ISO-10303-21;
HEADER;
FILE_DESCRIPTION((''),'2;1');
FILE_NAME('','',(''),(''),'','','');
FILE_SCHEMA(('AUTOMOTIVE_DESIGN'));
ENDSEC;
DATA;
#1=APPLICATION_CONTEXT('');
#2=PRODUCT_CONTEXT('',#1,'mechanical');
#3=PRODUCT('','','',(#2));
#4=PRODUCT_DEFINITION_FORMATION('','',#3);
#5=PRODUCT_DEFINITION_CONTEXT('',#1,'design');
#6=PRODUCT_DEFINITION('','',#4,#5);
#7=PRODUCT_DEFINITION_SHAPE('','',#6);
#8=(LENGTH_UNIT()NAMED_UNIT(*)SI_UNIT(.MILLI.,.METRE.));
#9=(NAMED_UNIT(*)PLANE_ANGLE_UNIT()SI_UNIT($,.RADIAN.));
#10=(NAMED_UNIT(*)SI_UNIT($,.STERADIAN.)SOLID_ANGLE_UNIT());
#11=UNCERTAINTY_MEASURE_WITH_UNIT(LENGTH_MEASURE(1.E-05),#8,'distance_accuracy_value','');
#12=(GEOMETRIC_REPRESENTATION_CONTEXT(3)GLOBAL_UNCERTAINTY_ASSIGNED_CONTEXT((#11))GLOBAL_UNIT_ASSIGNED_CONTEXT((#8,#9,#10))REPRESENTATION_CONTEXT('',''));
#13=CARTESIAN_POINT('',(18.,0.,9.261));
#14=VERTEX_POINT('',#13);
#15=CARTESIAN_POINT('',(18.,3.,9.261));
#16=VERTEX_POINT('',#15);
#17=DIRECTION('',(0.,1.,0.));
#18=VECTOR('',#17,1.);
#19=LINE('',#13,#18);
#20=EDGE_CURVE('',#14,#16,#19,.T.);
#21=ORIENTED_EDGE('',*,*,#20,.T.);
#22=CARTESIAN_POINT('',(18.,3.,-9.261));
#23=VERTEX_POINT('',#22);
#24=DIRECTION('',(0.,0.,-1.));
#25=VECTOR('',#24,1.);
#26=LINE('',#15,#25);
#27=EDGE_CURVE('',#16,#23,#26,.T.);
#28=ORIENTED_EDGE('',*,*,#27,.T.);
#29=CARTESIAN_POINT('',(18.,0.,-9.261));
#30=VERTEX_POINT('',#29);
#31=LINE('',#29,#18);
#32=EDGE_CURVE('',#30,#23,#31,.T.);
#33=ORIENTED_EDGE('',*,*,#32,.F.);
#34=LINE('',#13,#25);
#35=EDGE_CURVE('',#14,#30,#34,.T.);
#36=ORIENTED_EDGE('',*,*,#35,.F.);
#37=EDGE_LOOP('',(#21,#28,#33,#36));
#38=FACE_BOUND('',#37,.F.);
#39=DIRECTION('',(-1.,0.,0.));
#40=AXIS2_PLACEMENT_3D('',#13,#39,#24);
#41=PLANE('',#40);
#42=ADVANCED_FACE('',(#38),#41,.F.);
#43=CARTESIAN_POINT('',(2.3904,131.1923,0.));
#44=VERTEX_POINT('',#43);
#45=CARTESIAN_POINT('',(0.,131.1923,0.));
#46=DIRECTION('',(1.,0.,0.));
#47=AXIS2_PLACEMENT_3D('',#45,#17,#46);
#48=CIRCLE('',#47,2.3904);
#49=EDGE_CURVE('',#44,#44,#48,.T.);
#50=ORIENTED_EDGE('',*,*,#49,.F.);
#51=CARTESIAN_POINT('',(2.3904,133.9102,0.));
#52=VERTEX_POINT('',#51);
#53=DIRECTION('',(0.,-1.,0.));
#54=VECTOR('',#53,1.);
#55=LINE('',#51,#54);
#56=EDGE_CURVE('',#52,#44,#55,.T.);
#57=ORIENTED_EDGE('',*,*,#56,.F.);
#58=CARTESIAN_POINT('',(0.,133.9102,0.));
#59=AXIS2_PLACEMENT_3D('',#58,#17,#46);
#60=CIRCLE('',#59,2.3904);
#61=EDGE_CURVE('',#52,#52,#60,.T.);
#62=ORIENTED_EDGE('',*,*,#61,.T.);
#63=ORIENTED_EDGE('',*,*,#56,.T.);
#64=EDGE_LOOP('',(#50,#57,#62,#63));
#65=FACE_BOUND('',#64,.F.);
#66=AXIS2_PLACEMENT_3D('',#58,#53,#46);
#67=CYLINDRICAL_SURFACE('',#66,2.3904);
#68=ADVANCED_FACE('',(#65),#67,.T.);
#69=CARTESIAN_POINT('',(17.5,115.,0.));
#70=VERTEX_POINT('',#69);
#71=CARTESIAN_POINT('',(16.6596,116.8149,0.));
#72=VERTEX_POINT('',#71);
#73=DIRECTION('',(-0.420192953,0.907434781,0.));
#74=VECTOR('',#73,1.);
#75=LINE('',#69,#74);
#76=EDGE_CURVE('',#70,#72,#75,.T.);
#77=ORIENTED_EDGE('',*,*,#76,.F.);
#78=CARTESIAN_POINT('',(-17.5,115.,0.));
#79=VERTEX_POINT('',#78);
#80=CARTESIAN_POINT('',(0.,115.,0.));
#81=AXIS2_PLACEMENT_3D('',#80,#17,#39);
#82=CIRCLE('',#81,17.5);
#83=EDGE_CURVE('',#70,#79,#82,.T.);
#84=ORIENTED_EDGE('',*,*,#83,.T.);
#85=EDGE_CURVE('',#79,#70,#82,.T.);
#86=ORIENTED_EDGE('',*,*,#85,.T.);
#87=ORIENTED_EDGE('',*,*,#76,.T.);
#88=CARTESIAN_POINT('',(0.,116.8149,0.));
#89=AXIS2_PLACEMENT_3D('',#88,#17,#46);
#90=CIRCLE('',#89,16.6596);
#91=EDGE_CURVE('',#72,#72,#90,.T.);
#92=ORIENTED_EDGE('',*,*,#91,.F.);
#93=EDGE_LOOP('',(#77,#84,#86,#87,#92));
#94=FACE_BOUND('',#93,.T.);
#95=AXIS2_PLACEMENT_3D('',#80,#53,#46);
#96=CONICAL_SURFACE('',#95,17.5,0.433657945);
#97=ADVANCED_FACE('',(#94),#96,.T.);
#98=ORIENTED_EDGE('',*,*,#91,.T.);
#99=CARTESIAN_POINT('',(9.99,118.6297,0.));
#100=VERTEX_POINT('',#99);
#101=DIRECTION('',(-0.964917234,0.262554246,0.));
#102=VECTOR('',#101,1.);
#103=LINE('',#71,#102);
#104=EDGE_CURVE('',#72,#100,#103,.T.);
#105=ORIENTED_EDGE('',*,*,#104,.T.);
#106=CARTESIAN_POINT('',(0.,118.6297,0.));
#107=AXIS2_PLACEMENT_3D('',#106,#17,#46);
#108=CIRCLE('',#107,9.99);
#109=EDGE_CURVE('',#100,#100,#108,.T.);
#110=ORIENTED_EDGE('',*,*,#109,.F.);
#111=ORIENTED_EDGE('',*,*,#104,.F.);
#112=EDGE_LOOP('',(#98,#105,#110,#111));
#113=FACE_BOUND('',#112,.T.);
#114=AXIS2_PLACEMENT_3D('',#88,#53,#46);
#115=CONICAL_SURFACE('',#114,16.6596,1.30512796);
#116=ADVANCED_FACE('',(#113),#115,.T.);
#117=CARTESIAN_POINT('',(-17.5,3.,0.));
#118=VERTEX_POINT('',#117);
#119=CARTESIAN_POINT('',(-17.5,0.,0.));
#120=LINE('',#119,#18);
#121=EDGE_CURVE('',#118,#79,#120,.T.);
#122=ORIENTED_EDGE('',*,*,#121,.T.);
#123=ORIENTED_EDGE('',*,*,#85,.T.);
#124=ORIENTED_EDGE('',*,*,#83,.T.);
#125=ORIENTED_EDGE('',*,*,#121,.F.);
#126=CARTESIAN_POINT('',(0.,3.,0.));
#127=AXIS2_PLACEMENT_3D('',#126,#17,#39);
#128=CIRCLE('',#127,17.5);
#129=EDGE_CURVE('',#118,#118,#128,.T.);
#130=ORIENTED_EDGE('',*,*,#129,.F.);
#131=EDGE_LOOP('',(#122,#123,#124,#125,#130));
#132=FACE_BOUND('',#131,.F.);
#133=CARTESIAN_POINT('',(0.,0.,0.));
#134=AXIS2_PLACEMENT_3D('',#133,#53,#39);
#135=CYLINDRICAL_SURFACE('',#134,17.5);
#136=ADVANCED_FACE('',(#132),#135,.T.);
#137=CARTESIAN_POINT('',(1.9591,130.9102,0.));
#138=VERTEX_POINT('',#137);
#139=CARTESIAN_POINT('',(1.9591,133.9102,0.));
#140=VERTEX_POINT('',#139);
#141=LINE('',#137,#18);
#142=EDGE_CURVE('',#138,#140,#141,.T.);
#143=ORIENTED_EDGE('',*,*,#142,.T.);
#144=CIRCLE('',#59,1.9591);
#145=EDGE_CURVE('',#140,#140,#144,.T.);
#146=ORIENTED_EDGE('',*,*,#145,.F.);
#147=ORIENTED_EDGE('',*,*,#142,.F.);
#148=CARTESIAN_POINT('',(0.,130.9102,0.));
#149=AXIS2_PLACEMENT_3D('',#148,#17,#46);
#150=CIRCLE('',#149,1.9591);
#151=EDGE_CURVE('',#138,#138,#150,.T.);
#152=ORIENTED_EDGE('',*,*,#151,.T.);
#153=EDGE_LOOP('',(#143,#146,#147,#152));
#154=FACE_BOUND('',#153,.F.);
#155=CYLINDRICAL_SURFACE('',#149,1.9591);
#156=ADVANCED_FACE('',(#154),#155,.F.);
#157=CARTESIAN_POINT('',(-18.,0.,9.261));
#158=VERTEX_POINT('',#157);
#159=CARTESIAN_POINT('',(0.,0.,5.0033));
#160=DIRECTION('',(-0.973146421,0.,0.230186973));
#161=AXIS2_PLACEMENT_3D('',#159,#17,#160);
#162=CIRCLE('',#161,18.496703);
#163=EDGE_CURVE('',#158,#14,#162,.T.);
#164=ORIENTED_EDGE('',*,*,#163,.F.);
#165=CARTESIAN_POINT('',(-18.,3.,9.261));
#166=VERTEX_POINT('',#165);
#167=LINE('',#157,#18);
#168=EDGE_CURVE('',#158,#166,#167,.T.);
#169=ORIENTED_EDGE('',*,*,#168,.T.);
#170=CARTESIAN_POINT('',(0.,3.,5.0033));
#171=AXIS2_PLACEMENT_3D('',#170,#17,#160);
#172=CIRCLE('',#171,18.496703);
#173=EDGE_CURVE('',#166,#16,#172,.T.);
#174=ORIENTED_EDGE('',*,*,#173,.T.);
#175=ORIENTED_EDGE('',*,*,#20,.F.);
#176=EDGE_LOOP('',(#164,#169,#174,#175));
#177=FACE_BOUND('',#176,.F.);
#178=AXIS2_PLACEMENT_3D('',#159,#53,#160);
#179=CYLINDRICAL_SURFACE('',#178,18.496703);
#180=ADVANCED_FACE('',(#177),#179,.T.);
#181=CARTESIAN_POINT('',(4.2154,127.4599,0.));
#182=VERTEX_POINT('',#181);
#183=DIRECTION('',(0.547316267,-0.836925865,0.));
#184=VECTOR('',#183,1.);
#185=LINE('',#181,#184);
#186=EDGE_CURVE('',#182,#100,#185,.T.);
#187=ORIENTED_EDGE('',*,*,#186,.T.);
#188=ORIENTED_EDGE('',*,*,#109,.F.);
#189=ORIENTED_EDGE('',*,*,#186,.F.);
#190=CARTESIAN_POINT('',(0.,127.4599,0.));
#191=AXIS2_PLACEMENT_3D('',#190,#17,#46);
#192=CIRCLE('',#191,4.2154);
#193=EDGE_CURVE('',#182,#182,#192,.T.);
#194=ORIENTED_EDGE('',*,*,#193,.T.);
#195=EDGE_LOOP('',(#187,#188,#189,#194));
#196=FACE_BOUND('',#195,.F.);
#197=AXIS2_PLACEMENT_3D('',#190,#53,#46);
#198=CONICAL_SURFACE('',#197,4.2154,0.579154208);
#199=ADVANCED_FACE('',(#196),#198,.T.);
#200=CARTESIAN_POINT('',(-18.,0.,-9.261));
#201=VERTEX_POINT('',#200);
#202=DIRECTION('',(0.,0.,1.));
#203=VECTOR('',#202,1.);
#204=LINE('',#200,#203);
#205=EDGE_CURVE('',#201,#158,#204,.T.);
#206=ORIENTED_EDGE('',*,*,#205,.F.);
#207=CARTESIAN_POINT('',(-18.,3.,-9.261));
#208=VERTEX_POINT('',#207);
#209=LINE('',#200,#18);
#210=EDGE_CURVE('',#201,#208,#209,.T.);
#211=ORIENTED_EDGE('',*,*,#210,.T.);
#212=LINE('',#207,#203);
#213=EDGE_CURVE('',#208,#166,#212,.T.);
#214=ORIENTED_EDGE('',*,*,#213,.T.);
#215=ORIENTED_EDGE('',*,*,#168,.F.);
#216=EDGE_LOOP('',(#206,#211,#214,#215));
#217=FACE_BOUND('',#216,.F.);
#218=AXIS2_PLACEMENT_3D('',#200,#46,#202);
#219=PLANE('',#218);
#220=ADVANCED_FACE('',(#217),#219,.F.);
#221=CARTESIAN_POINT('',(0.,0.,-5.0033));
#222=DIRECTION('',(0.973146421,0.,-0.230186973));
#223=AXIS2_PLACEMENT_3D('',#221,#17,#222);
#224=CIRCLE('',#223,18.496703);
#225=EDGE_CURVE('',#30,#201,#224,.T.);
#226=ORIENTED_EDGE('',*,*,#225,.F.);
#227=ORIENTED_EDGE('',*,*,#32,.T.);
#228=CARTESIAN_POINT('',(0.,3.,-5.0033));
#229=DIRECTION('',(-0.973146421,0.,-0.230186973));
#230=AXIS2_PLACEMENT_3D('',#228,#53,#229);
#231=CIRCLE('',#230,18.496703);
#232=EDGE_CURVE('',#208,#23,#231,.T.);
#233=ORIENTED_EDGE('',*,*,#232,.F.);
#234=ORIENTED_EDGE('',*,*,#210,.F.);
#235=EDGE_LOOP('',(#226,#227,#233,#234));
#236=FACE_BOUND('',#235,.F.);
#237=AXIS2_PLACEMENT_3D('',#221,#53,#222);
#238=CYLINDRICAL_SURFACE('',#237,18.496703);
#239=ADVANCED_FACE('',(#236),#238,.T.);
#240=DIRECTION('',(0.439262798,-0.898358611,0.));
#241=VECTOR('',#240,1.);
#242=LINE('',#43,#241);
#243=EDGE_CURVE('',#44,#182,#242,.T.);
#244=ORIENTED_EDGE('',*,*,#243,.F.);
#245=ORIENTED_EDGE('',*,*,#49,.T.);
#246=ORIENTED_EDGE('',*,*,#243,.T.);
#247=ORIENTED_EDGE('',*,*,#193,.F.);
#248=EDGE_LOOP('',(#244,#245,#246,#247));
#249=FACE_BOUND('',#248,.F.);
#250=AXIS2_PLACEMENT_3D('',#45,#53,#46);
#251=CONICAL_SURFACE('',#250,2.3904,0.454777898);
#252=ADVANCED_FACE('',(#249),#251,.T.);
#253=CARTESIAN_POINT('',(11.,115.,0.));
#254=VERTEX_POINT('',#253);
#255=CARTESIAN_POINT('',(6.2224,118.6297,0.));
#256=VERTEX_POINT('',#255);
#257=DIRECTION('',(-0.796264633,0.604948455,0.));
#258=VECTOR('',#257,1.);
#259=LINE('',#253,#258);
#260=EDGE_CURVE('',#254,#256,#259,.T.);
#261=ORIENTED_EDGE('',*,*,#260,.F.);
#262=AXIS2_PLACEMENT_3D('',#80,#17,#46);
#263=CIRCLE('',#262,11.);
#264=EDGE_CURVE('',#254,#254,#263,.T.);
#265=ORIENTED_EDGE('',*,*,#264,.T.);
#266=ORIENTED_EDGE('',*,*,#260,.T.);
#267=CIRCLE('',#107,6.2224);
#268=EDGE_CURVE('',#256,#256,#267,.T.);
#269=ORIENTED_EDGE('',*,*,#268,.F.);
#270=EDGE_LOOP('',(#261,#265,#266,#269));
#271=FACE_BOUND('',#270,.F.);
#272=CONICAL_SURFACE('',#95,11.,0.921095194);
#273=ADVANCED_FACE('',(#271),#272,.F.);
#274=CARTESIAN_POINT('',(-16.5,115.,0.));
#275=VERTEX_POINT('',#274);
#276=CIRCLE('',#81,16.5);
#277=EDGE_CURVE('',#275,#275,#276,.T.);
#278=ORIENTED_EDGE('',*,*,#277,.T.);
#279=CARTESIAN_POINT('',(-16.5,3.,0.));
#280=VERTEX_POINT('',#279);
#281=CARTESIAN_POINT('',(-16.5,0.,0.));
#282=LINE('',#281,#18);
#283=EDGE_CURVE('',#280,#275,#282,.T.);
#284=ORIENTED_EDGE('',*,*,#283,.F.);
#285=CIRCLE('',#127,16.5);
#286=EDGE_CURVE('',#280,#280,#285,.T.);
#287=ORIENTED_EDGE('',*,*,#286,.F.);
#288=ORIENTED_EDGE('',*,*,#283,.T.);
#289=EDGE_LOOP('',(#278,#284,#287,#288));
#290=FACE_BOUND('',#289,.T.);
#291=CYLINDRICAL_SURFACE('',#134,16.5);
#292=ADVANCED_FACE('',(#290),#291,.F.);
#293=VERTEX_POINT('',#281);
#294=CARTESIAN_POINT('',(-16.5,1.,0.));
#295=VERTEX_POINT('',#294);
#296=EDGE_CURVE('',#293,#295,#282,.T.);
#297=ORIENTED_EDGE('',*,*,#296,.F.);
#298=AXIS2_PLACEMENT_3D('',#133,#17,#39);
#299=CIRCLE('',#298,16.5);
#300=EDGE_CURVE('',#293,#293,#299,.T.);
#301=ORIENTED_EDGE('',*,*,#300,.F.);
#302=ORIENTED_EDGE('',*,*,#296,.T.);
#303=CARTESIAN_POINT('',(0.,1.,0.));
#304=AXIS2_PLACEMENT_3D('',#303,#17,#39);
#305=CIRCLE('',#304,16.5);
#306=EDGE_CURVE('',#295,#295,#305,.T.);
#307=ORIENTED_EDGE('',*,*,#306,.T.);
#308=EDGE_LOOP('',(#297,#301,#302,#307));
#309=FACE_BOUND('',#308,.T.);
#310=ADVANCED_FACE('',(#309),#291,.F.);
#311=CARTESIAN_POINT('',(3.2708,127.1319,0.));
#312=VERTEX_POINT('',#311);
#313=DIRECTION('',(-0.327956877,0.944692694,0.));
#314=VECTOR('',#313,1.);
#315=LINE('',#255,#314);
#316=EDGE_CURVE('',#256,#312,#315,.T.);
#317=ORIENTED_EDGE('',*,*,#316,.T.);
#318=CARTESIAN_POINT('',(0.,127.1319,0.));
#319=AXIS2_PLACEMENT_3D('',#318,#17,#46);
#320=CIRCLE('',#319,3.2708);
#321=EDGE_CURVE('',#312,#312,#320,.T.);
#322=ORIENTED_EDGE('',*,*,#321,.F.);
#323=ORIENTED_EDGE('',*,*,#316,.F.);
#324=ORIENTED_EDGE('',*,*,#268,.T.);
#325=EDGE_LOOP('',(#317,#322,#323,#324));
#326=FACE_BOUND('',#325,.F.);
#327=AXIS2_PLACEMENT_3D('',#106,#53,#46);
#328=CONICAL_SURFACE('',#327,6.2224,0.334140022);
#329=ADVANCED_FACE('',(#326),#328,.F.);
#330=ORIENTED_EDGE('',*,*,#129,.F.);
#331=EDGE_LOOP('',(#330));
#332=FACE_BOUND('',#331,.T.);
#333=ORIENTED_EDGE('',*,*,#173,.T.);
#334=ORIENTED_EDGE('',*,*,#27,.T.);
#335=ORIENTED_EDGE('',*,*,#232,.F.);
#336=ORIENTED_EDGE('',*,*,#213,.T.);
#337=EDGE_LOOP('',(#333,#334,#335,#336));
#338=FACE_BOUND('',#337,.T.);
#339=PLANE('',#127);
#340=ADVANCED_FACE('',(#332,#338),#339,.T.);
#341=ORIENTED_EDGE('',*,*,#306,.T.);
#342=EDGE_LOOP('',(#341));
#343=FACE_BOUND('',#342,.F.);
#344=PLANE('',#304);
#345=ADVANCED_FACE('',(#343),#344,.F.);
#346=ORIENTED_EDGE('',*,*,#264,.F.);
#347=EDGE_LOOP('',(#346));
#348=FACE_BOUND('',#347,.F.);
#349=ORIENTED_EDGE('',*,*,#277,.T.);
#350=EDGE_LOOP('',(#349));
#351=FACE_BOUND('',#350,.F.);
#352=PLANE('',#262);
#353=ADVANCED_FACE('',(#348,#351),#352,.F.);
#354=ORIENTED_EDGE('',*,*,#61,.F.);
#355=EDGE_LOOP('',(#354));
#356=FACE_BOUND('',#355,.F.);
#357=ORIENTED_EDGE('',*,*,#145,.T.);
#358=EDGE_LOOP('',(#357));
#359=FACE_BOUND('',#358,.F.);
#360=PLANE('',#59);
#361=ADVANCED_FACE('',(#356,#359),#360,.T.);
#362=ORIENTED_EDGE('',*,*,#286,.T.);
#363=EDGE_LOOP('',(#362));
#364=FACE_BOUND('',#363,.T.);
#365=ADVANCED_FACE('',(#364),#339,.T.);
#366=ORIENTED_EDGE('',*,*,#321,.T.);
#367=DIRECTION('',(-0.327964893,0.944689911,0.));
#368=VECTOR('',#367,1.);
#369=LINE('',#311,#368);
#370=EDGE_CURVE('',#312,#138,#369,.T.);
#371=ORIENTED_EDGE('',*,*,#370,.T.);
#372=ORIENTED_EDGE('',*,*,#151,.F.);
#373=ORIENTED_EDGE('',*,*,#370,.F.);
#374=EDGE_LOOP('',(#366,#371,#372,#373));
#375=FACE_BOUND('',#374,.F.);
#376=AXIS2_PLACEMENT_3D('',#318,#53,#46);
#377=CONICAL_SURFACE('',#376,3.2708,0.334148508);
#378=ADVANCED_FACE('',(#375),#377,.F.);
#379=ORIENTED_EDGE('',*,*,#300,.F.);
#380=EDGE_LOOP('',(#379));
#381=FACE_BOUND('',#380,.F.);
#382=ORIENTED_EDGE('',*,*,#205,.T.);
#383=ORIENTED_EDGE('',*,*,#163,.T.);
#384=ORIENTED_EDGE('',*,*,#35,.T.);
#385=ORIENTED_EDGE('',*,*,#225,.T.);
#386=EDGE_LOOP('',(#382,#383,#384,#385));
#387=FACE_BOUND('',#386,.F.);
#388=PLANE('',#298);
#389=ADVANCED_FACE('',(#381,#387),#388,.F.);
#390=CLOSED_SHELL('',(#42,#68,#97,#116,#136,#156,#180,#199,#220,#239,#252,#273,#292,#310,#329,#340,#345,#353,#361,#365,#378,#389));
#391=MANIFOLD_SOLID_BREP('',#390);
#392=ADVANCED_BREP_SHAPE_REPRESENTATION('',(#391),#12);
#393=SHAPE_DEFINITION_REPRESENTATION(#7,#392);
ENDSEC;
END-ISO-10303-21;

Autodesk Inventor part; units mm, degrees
ref_plane "YZ Plane" through (0, 0, 0) normal (1, 0, 0) x (0, 1, 0)
ref_plane "XZ Plane" through (0, 0, 0) normal (0, 1, 0) x (-1, 0, 0)
ref_plane "XY Plane" through (0, 0, 0) normal (0, 0, 1) x (1, 0, 0)
sketch "Sketch1" plane through (0, 0, 0) normal (0, 1, 0) x (-1, 0, 0)
  circle A0 centre (0, 0) radius 16.5
  line L0 (0, -23.5) -> (18, -23.5)
  line L1 (18, -9.261) -> (18, 9.261)
  line L2 (-18, 9.261) -> (-18, -9.261)
  line L3 (-18, -23.5) -> (18, 23.5) construction
  line L4 (18, -23.5) -> (-18, 23.5) construction
  arc A1 (18, 9.261) -> (-18, 9.261) centre (0, 5.0033) ccw
  line L5 (28.3506, 0) -> (-36.241, 0) construction
  arc A2 (-18, -9.261) -> (18, -9.261) centre (0, -5.0033) ccw
  circle A3 centre (0, 0) radius 17.5
  dimension "d0" = 33
  dimension "d1" = 36
  dimension "d2" = 47
  dimension "d3" = 1
extrude "Extrusion1" add sketch "Sketch1" along normal blind 115 contours A3
extrude "Extrusion2" add sketch "Sketch1" along normal blind 3
sketch "Sketch2" plane through (0, 0, 0) normal (0, 0, 1) x (1, 0, 0)
  line L0 (16.5, 3) -> (16.5, 115) projected
  line L1 (16.5, 115) -> (11, 115)
  line L2 (17.5, 115) -> (-17.5, 115) projected
  line L3 (11, 115) -> (6.2224, 118.6297)
  line L4 (6.2224, 118.6297) -> (3.2708, 127.1319)
  line L5 (3.2708, 127.1319) -> (4.2154, 127.4599)
  line L6 (4.2154, 127.4599) -> (9.99, 118.6297)
  line L7 (17.5, 115) -> (16.6596, 116.8149)
  line L8 (16.6596, 116.8149) -> (9.99, 118.6297)
  line L9 (3.2708, 127.1319) -> (1.9591, 130.9102)
  line L10 (1.9591, 130.9102) -> (2.3904, 131.1923)
  line L11 (2.3904, 131.1923) -> (4.2154, 127.4599)
  line L12 (1.9591, 130.9102) -> (1.9591, 133.9102)
  line L13 (1.9591, 133.9102) -> (2.3904, 133.9102)
  line L14 (2.3904, 133.9102) -> (2.3904, 131.1923)
  line L15 (0, -26.782) -> (0, 160.6923) projected
  point P0 (0, 0)
  dimension "d8" = 5.5
  dimension "d9" = 6
  dimension "d10" = 9
  dimension "d11" = 1
  dimension "d12" = 2
  dimension "d13" = 3
revolve "Revolution1" add sketch "Sketch2" angle 360 about axis through (0, -10, 0) along (0, 1, 0)
extrude "Extrusion3" cut sketch "Sketch1" along normal blind 1 contours A0
properties part number "Larger Syringe"
